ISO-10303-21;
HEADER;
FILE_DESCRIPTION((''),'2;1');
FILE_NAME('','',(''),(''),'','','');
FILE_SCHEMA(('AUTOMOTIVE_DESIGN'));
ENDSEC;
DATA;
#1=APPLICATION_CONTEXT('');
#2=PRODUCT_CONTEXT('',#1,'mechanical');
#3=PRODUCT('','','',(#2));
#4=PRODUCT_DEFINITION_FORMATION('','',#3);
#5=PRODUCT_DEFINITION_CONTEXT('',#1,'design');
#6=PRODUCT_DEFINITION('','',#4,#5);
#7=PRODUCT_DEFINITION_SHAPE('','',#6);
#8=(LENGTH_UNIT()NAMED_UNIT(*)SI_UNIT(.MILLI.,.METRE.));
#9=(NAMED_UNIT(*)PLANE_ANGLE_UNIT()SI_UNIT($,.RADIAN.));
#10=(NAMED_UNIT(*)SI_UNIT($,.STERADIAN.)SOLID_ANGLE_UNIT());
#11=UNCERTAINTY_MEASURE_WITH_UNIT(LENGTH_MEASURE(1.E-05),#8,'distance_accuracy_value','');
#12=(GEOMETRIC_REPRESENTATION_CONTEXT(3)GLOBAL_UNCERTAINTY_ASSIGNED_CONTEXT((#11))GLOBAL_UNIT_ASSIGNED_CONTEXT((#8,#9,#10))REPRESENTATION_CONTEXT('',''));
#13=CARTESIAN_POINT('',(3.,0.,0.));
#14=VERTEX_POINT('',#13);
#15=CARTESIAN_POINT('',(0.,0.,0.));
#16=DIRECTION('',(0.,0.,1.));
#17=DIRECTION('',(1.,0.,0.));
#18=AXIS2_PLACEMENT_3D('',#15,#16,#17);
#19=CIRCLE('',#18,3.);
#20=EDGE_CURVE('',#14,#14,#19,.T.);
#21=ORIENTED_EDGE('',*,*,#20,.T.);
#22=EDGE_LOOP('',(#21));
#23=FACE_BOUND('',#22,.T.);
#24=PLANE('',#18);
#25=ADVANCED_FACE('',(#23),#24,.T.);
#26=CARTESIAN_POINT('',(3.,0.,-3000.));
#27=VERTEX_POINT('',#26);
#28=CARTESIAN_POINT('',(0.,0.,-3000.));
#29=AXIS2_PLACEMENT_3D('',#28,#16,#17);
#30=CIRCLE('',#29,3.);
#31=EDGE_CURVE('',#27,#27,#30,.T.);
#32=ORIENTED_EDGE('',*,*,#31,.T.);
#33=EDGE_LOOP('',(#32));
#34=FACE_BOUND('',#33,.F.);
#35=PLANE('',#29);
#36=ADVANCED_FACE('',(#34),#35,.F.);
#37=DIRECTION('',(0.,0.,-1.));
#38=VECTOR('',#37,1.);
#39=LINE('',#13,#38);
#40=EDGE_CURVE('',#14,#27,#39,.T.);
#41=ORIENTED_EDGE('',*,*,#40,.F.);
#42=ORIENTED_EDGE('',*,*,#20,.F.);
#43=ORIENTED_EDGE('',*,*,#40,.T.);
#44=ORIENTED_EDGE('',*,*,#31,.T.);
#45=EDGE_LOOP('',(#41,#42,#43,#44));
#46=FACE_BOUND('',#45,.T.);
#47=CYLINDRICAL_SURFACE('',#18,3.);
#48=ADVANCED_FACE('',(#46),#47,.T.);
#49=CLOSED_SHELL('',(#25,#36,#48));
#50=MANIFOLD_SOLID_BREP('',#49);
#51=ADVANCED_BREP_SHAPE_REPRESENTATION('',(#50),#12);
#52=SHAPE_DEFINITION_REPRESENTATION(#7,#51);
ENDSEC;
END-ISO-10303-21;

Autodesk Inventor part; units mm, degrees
ref_plane "YZ Plane" through (0, 0, 0) normal (1, 0, 0) x (0, 1, 0)
ref_plane "XZ Plane" through (0, 0, 0) normal (0, 1, 0) x (-1, 0, 0)
ref_plane "XY Plane" through (0, 0, 0) normal (0, 0, 1) x (1, 0, 0)
sketch "Sketch1" plane through (0, 0, 0) normal (0, 0, 1) x (1, 0, 0)
  circle A0 centre (0, 0) radius 3
  dimension "d0" = 6
extrude "Extrusion1" add sketch "Sketch1" against normal blind 3000
properties part number "MSC 814 string for sheets gills"
